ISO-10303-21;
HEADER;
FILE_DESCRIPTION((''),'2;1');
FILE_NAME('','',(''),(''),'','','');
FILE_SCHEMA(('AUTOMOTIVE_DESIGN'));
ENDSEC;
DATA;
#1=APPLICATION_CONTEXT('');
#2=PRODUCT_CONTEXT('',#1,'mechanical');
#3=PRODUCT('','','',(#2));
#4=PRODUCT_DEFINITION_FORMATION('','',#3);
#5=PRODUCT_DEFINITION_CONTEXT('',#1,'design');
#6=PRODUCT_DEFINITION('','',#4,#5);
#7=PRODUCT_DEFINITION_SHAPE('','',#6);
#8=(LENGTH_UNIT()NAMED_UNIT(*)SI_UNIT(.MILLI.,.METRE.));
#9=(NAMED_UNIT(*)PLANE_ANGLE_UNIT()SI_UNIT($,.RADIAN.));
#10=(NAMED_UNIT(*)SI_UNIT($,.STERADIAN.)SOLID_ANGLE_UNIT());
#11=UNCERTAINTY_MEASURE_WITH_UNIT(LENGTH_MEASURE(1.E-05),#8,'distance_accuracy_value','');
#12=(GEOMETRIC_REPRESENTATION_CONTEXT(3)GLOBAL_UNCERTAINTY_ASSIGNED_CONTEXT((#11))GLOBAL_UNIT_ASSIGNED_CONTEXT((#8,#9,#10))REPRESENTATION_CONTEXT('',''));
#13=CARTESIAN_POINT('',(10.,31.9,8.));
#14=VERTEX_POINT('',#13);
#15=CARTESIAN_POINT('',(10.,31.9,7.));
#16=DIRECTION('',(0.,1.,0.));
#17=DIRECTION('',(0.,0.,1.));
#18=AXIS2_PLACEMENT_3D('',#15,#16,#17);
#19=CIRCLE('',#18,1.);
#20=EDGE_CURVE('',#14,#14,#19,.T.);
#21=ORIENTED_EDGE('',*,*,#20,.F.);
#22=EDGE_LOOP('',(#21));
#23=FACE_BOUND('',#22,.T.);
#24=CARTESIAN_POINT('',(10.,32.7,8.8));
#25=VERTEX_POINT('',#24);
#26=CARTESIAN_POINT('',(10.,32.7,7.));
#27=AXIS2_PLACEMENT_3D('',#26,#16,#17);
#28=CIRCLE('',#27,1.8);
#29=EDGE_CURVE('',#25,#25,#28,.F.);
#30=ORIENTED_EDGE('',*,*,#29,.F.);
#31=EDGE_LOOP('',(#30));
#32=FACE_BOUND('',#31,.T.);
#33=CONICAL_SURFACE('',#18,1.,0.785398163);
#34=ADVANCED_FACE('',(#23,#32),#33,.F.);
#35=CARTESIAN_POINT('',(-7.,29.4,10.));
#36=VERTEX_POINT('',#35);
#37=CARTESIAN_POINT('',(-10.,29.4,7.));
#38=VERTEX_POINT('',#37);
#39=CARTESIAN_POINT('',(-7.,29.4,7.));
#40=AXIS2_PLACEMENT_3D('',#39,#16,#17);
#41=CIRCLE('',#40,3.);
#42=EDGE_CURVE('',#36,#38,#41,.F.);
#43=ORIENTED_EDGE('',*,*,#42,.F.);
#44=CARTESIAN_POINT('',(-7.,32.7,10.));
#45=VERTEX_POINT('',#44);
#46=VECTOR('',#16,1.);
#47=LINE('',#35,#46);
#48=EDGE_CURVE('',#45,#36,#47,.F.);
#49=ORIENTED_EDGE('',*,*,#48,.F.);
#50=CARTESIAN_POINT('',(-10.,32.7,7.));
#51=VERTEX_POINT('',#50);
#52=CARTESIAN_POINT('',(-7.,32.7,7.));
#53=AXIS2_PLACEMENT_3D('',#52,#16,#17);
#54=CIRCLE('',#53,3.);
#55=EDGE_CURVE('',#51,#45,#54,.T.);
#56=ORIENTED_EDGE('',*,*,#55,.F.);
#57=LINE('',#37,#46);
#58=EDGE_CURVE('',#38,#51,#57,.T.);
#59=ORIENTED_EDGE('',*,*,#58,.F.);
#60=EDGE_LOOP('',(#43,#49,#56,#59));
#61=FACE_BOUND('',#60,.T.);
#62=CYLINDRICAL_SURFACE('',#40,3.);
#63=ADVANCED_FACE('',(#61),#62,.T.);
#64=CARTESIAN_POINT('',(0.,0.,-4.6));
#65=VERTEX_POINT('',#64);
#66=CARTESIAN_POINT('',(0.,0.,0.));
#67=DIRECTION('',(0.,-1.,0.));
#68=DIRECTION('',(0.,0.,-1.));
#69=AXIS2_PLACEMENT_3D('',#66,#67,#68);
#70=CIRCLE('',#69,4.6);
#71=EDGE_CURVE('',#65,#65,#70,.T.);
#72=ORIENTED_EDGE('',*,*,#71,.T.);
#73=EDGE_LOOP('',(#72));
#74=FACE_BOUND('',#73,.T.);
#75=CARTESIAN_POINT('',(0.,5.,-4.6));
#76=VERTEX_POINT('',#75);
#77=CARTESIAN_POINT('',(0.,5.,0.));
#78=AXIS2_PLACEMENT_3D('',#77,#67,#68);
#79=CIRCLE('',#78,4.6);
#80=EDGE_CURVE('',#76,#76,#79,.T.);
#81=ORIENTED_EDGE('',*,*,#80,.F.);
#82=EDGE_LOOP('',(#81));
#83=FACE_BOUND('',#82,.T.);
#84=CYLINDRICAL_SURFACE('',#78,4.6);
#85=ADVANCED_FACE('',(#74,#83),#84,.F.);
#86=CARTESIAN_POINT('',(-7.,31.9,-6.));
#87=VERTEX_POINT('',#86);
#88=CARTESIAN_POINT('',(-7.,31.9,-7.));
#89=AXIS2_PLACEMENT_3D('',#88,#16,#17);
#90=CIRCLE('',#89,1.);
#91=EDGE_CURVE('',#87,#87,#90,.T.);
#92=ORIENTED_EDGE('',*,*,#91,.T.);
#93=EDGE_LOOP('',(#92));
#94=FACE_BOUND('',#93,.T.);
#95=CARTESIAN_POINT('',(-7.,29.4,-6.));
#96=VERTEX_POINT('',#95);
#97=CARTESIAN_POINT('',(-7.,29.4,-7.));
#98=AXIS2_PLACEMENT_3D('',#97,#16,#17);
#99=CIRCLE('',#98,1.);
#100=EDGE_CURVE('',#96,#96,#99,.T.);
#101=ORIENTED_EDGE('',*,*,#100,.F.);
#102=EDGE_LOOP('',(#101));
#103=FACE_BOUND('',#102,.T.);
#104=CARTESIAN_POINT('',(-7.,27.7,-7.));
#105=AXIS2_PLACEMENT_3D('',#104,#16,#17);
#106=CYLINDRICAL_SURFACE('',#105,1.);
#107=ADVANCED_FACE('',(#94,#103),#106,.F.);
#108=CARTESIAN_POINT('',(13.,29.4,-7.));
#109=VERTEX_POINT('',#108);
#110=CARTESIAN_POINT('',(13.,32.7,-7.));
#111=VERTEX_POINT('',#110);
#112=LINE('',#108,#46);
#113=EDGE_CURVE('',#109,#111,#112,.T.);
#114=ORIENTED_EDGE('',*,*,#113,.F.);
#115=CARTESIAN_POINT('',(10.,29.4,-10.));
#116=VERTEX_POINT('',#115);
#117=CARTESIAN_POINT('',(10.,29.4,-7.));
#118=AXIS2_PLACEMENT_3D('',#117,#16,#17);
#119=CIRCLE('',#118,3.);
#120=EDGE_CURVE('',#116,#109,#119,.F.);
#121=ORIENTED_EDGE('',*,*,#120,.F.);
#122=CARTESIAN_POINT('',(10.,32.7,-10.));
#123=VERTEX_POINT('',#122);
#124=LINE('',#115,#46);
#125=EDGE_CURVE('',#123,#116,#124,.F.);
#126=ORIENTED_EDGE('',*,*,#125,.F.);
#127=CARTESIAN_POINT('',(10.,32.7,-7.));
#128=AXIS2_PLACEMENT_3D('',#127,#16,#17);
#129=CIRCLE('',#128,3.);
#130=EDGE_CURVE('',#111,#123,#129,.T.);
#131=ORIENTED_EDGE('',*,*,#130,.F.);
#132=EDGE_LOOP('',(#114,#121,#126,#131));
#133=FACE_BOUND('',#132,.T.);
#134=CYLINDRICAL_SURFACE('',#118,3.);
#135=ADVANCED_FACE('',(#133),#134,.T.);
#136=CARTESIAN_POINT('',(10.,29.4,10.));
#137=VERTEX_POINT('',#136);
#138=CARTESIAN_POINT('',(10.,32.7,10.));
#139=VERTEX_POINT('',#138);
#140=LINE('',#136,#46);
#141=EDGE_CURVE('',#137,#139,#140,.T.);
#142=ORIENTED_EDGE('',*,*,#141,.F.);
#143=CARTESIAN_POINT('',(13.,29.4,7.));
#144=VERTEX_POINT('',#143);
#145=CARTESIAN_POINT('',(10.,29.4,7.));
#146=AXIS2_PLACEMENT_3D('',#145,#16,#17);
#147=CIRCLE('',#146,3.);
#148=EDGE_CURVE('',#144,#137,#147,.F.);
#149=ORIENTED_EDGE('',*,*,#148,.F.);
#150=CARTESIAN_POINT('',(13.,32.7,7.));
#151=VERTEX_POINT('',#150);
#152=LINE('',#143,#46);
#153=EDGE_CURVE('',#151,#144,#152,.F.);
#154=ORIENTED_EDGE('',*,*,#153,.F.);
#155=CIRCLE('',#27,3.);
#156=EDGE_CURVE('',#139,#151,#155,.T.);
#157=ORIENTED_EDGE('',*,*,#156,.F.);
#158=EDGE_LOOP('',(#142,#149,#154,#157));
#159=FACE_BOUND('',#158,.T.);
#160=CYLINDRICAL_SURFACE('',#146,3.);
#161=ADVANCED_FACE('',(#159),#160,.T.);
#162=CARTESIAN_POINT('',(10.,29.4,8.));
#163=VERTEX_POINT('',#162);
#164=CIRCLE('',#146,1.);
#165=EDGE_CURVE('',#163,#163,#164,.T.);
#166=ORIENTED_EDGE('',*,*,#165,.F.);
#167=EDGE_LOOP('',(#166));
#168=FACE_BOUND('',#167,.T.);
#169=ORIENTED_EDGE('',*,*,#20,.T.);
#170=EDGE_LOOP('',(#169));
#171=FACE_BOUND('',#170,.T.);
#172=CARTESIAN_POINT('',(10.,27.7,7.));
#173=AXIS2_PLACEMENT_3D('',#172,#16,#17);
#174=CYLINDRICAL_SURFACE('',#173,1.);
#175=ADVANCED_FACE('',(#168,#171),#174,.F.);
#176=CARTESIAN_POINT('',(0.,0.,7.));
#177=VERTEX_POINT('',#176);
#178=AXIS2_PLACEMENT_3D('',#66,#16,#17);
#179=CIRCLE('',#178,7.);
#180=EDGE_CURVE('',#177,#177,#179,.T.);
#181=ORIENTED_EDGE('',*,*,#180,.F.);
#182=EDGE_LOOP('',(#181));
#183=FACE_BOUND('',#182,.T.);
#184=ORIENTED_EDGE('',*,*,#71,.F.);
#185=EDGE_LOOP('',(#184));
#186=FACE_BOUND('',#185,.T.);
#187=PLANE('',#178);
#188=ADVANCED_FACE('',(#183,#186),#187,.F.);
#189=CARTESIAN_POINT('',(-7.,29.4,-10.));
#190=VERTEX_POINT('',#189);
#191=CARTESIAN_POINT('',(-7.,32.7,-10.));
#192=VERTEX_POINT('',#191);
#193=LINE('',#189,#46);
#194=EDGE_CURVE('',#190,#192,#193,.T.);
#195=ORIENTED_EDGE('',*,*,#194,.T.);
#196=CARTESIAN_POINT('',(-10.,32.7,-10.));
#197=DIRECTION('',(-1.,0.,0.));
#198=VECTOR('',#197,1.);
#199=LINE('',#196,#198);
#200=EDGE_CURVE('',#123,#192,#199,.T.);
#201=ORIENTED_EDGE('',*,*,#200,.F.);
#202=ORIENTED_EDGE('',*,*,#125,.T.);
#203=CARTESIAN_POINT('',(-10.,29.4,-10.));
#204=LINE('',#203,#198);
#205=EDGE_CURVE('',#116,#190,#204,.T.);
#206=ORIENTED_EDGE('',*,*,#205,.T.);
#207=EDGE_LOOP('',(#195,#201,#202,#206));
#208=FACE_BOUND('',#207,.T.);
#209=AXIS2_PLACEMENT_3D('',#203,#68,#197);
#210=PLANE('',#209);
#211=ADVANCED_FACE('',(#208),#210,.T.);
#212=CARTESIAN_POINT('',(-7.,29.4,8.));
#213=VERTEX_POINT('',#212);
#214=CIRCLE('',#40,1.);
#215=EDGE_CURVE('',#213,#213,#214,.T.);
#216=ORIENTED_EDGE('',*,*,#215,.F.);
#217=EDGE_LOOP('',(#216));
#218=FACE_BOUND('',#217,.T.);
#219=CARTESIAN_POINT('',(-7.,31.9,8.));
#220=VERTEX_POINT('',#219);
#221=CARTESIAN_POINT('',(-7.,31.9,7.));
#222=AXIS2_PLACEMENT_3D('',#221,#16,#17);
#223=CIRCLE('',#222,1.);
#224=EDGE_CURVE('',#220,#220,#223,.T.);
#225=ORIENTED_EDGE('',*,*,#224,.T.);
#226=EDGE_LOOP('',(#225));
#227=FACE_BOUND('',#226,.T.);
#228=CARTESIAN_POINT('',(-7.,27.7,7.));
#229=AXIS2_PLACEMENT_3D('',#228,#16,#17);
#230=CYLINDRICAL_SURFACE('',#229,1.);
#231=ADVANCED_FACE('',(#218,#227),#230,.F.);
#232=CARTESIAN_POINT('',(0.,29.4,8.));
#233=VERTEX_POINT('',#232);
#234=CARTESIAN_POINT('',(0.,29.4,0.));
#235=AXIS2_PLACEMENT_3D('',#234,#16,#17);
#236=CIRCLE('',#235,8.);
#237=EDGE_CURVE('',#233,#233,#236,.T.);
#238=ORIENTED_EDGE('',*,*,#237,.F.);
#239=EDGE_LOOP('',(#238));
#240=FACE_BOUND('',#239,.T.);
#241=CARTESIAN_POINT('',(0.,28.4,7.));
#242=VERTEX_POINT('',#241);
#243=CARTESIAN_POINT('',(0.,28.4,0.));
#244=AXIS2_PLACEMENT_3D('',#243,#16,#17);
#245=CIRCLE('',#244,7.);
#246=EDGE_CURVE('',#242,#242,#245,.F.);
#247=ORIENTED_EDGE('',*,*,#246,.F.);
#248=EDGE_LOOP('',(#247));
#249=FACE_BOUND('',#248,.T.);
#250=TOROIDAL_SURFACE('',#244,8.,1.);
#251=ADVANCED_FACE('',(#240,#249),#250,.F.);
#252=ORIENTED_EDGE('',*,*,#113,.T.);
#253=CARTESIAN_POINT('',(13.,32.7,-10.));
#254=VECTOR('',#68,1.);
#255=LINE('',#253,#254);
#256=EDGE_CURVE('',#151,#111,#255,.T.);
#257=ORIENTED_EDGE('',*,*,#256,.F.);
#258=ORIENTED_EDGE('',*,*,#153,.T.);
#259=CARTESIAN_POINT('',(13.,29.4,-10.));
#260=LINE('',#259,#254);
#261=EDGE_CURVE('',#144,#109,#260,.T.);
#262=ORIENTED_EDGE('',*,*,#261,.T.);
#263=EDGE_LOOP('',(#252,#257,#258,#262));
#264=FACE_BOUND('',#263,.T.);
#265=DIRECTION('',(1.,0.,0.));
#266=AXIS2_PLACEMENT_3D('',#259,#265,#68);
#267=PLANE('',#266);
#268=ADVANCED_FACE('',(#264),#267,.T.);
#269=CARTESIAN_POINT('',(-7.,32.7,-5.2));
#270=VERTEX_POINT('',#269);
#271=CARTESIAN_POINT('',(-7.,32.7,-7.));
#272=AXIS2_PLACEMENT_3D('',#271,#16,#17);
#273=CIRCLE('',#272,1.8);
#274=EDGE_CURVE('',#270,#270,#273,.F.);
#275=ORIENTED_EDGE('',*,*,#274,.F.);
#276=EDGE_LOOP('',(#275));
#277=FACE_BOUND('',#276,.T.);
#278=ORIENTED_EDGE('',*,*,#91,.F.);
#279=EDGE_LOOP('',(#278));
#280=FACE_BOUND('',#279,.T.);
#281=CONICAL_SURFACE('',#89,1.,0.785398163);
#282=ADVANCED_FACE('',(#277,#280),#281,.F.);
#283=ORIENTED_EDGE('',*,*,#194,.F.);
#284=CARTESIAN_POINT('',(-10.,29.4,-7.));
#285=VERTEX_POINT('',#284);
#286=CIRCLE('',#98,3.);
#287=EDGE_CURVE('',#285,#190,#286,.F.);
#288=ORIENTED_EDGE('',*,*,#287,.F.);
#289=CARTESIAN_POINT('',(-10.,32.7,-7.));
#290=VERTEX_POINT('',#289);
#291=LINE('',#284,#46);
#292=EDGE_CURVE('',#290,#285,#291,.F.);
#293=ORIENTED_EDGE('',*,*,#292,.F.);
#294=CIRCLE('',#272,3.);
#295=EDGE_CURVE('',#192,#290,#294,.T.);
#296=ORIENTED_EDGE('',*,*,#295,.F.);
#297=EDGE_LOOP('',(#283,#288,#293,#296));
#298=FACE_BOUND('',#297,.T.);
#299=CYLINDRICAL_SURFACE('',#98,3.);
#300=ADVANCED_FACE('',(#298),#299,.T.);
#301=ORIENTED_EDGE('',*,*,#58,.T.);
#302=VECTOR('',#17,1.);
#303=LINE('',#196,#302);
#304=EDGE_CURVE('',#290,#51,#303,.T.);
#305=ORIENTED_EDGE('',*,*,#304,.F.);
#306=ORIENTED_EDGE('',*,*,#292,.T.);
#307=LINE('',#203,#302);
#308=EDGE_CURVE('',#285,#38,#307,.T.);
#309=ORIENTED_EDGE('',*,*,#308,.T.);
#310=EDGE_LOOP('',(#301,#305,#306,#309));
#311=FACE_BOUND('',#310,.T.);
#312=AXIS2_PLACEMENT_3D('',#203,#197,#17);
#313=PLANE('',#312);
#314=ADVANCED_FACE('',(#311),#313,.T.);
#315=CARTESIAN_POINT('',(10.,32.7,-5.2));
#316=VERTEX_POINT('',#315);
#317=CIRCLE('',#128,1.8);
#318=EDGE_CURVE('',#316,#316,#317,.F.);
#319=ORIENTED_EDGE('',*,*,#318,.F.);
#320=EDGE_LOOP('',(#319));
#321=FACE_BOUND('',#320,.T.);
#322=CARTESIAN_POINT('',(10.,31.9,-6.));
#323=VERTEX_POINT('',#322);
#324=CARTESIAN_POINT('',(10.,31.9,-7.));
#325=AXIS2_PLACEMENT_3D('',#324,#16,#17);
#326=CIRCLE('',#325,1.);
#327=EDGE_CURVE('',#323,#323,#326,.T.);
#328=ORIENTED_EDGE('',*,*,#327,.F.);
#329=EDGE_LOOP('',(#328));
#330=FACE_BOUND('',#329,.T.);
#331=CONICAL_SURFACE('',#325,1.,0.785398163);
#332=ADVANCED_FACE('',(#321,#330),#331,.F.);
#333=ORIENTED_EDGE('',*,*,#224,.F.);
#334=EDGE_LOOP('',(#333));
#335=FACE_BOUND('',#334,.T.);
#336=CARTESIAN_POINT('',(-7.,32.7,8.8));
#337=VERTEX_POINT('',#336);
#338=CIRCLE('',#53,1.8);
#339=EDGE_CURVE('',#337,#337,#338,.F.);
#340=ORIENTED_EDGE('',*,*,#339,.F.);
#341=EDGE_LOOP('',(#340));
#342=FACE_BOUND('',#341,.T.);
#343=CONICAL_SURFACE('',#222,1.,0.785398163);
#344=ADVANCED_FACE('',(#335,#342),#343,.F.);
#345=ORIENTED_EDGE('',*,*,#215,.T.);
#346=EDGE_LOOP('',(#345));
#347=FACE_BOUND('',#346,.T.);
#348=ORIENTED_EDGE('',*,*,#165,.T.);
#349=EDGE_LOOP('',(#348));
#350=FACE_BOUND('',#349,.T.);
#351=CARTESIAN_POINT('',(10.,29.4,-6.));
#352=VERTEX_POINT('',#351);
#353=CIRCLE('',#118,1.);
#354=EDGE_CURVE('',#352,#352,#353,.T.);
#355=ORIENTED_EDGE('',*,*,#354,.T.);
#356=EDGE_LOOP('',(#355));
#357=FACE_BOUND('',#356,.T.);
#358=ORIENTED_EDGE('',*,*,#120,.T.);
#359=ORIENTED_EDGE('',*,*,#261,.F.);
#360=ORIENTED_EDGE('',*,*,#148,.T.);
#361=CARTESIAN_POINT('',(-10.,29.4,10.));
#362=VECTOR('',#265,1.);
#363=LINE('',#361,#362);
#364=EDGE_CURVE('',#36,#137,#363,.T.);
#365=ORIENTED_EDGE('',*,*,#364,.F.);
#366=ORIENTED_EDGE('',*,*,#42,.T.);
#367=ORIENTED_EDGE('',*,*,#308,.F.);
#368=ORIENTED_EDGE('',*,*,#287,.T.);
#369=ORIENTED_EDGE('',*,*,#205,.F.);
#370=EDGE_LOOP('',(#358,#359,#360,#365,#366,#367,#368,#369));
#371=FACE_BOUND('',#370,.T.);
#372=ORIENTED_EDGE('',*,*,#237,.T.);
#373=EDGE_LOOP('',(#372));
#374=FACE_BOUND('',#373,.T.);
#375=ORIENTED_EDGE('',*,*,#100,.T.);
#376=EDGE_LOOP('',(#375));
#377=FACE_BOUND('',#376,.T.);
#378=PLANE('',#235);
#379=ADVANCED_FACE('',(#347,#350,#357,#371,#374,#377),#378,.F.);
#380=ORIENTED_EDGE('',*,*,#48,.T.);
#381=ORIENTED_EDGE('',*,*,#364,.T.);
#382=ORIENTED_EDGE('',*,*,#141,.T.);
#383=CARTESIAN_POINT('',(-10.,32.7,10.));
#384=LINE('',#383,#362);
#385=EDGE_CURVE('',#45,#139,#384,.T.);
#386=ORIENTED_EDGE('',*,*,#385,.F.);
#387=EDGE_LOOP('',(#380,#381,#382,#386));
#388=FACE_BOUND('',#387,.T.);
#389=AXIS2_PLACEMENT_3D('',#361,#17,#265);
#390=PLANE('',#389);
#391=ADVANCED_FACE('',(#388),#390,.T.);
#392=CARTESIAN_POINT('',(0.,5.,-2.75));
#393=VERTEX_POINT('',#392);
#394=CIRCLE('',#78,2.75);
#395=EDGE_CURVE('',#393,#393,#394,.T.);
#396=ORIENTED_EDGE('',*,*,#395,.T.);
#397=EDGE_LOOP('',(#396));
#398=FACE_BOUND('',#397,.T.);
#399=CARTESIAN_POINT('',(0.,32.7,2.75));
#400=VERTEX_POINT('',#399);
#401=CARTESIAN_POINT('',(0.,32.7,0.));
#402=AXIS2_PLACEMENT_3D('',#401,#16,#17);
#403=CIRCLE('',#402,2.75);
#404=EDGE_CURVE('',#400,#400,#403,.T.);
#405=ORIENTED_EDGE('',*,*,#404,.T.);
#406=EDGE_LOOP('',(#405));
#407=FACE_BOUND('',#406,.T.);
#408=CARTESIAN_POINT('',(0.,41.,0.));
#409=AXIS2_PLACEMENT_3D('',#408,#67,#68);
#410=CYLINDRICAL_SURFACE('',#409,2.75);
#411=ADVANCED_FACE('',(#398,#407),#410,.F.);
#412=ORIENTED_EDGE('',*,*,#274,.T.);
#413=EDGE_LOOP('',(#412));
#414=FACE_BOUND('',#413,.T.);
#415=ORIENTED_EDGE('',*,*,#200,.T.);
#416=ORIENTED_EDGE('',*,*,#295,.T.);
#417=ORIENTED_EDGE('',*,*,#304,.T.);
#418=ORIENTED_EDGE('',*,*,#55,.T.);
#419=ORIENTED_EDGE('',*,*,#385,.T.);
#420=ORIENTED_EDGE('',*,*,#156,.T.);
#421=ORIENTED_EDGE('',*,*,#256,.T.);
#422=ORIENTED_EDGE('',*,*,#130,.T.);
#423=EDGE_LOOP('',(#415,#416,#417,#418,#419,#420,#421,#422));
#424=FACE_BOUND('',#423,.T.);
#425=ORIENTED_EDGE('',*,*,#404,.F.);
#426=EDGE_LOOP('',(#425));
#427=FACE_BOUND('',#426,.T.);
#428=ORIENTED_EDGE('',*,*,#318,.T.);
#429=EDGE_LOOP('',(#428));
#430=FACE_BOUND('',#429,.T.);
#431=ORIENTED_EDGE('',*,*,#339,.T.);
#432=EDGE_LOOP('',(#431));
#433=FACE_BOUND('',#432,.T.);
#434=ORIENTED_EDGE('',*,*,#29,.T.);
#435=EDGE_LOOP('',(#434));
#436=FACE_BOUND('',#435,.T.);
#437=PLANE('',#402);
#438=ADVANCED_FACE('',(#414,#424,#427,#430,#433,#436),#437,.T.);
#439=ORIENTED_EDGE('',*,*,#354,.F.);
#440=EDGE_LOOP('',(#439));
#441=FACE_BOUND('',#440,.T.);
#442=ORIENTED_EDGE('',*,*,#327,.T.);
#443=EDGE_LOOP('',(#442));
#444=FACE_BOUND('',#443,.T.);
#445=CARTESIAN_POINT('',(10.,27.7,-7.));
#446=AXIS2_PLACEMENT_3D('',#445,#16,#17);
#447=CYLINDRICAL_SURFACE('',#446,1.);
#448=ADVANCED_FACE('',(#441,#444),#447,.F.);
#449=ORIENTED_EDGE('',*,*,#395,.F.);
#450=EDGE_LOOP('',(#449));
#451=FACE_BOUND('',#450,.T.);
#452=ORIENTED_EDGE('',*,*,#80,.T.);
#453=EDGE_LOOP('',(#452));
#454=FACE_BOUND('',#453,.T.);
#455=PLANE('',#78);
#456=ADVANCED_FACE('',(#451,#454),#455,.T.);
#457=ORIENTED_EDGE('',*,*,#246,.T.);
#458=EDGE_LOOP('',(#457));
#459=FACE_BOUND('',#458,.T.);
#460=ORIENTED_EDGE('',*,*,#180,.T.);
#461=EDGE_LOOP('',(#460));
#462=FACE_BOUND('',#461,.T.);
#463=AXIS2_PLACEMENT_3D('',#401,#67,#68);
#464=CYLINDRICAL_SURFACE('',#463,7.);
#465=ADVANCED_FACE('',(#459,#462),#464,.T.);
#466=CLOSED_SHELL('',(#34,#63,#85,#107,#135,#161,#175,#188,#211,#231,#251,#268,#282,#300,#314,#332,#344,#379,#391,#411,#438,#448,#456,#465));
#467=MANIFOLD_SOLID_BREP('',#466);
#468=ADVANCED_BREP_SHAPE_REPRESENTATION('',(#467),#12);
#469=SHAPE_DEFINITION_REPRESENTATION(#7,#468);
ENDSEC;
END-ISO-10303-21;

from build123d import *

# Parameters (mm, degrees)
SKETCH1_R           = 7
BOSS_EXTRUDE1_DEPTH = 32.7
SKETCH4_W           = 23
SKETCH4_H           = 20
SKETCH4_R           = 3.5
BOSS_EXTRUDE2_DEPTH = 3.3
FILLET1_R           = 3
SKETCH5_R           = 1
CUT_EXTRUDE3_DEPTH  = 5
SKETCH2_R           = 4.6
CUT_EXTRUDE4_DEPTH  = 5
SKETCH6_R           = 2.75
CUT_EXTRUDE5_DEPTH  = 36
FILLET2_R           = 1
CHAMFER1_SIZE       = 0.8


with BuildPart() as part:
    # Sketch1 → Boss-Extrude1 (new body)
    with BuildSketch(Plane(origin=(0, 0, 0), x_dir=(1, 0, 0), z_dir=(0, 1, 0))):
        with Locations(Location((0, 0, 0), (0, 0, 270))):
            Circle(SKETCH1_R)
    extrude(amount=BOSS_EXTRUDE1_DEPTH)

    # Sketch4 → Boss-Extrude2 (add)
    with BuildSketch(Plane(origin=(0, 32.7, 0), x_dir=(1, 0, 0), z_dir=(0, 1, 0))):
        with Locations((1.5, 0)):
            Rectangle(SKETCH4_W, SKETCH4_H)
        Circle(SKETCH4_R, mode=Mode.SUBTRACT)
    extrude(amount=-BOSS_EXTRUDE2_DEPTH)

    # Fillet1
    fillet1_edges = [part.edges().sort_by_distance(p)[0] for p in [
        (-10, 31.05, 10),
        (-10, 31.05, -10),
        (13, 31.05, -10),
        (13, 31.05, 10),
    ]]
    fillet(fillet1_edges, radius=FILLET1_R)

    # Sketch5 → Cut-Extrude3 (cut)
    with BuildSketch(Plane(origin=(0, 32.7, 0), x_dir=(1, 0, 0), z_dir=(0, 1, 0))):
        with Locations(Location((-7, 7, 0), (0, 0, 270))):
            Circle(SKETCH5_R)
        with Locations(Location((10, 7, 0), (0, 0, 270))):
            Circle(SKETCH5_R)
        with Locations(Location((10, -7, 0), (0, 0, 270))):
            Circle(SKETCH5_R)
        with Locations(Location((-7, -7, 0), (0, 0, 270))):
            Circle(SKETCH5_R)
    extrude(amount=-CUT_EXTRUDE3_DEPTH, mode=Mode.SUBTRACT)

    # Sketch2 → Cut-Extrude4 (cut)
    with BuildSketch(Plane.XZ):
        with Locations(Location((0, 0, 0), (0, 0, 270))):
            Circle(SKETCH2_R)
    extrude(amount=-CUT_EXTRUDE4_DEPTH, mode=Mode.SUBTRACT)

    # Sketch6 → Cut-Extrude5 (cut)
    with BuildSketch(Plane.XZ.offset(-5)):
        with Locations(Location((0, 0, 0), (0, 0, 270))):
            Circle(SKETCH6_R)
    extrude(amount=-CUT_EXTRUDE5_DEPTH, mode=Mode.SUBTRACT)

    # Fillet2
    fillet2_edges = [part.edges().sort_by_distance(p)[0] for p in [
        (0, 29.4, -7),
    ]]
    fillet(fillet2_edges, radius=FILLET2_R)

    # Chamfer1
    chamfer1_edges = [part.edges().sort_by_distance(p)[0] for p in [
        (-7, 32.7, 6),
        (10, 32.7, 6),
        (10, 32.7, -8),
        (-7, 32.7, -8),
    ]]
    chamfer(chamfer1_edges, length=CHAMFER1_SIZE)


solid = part.part
